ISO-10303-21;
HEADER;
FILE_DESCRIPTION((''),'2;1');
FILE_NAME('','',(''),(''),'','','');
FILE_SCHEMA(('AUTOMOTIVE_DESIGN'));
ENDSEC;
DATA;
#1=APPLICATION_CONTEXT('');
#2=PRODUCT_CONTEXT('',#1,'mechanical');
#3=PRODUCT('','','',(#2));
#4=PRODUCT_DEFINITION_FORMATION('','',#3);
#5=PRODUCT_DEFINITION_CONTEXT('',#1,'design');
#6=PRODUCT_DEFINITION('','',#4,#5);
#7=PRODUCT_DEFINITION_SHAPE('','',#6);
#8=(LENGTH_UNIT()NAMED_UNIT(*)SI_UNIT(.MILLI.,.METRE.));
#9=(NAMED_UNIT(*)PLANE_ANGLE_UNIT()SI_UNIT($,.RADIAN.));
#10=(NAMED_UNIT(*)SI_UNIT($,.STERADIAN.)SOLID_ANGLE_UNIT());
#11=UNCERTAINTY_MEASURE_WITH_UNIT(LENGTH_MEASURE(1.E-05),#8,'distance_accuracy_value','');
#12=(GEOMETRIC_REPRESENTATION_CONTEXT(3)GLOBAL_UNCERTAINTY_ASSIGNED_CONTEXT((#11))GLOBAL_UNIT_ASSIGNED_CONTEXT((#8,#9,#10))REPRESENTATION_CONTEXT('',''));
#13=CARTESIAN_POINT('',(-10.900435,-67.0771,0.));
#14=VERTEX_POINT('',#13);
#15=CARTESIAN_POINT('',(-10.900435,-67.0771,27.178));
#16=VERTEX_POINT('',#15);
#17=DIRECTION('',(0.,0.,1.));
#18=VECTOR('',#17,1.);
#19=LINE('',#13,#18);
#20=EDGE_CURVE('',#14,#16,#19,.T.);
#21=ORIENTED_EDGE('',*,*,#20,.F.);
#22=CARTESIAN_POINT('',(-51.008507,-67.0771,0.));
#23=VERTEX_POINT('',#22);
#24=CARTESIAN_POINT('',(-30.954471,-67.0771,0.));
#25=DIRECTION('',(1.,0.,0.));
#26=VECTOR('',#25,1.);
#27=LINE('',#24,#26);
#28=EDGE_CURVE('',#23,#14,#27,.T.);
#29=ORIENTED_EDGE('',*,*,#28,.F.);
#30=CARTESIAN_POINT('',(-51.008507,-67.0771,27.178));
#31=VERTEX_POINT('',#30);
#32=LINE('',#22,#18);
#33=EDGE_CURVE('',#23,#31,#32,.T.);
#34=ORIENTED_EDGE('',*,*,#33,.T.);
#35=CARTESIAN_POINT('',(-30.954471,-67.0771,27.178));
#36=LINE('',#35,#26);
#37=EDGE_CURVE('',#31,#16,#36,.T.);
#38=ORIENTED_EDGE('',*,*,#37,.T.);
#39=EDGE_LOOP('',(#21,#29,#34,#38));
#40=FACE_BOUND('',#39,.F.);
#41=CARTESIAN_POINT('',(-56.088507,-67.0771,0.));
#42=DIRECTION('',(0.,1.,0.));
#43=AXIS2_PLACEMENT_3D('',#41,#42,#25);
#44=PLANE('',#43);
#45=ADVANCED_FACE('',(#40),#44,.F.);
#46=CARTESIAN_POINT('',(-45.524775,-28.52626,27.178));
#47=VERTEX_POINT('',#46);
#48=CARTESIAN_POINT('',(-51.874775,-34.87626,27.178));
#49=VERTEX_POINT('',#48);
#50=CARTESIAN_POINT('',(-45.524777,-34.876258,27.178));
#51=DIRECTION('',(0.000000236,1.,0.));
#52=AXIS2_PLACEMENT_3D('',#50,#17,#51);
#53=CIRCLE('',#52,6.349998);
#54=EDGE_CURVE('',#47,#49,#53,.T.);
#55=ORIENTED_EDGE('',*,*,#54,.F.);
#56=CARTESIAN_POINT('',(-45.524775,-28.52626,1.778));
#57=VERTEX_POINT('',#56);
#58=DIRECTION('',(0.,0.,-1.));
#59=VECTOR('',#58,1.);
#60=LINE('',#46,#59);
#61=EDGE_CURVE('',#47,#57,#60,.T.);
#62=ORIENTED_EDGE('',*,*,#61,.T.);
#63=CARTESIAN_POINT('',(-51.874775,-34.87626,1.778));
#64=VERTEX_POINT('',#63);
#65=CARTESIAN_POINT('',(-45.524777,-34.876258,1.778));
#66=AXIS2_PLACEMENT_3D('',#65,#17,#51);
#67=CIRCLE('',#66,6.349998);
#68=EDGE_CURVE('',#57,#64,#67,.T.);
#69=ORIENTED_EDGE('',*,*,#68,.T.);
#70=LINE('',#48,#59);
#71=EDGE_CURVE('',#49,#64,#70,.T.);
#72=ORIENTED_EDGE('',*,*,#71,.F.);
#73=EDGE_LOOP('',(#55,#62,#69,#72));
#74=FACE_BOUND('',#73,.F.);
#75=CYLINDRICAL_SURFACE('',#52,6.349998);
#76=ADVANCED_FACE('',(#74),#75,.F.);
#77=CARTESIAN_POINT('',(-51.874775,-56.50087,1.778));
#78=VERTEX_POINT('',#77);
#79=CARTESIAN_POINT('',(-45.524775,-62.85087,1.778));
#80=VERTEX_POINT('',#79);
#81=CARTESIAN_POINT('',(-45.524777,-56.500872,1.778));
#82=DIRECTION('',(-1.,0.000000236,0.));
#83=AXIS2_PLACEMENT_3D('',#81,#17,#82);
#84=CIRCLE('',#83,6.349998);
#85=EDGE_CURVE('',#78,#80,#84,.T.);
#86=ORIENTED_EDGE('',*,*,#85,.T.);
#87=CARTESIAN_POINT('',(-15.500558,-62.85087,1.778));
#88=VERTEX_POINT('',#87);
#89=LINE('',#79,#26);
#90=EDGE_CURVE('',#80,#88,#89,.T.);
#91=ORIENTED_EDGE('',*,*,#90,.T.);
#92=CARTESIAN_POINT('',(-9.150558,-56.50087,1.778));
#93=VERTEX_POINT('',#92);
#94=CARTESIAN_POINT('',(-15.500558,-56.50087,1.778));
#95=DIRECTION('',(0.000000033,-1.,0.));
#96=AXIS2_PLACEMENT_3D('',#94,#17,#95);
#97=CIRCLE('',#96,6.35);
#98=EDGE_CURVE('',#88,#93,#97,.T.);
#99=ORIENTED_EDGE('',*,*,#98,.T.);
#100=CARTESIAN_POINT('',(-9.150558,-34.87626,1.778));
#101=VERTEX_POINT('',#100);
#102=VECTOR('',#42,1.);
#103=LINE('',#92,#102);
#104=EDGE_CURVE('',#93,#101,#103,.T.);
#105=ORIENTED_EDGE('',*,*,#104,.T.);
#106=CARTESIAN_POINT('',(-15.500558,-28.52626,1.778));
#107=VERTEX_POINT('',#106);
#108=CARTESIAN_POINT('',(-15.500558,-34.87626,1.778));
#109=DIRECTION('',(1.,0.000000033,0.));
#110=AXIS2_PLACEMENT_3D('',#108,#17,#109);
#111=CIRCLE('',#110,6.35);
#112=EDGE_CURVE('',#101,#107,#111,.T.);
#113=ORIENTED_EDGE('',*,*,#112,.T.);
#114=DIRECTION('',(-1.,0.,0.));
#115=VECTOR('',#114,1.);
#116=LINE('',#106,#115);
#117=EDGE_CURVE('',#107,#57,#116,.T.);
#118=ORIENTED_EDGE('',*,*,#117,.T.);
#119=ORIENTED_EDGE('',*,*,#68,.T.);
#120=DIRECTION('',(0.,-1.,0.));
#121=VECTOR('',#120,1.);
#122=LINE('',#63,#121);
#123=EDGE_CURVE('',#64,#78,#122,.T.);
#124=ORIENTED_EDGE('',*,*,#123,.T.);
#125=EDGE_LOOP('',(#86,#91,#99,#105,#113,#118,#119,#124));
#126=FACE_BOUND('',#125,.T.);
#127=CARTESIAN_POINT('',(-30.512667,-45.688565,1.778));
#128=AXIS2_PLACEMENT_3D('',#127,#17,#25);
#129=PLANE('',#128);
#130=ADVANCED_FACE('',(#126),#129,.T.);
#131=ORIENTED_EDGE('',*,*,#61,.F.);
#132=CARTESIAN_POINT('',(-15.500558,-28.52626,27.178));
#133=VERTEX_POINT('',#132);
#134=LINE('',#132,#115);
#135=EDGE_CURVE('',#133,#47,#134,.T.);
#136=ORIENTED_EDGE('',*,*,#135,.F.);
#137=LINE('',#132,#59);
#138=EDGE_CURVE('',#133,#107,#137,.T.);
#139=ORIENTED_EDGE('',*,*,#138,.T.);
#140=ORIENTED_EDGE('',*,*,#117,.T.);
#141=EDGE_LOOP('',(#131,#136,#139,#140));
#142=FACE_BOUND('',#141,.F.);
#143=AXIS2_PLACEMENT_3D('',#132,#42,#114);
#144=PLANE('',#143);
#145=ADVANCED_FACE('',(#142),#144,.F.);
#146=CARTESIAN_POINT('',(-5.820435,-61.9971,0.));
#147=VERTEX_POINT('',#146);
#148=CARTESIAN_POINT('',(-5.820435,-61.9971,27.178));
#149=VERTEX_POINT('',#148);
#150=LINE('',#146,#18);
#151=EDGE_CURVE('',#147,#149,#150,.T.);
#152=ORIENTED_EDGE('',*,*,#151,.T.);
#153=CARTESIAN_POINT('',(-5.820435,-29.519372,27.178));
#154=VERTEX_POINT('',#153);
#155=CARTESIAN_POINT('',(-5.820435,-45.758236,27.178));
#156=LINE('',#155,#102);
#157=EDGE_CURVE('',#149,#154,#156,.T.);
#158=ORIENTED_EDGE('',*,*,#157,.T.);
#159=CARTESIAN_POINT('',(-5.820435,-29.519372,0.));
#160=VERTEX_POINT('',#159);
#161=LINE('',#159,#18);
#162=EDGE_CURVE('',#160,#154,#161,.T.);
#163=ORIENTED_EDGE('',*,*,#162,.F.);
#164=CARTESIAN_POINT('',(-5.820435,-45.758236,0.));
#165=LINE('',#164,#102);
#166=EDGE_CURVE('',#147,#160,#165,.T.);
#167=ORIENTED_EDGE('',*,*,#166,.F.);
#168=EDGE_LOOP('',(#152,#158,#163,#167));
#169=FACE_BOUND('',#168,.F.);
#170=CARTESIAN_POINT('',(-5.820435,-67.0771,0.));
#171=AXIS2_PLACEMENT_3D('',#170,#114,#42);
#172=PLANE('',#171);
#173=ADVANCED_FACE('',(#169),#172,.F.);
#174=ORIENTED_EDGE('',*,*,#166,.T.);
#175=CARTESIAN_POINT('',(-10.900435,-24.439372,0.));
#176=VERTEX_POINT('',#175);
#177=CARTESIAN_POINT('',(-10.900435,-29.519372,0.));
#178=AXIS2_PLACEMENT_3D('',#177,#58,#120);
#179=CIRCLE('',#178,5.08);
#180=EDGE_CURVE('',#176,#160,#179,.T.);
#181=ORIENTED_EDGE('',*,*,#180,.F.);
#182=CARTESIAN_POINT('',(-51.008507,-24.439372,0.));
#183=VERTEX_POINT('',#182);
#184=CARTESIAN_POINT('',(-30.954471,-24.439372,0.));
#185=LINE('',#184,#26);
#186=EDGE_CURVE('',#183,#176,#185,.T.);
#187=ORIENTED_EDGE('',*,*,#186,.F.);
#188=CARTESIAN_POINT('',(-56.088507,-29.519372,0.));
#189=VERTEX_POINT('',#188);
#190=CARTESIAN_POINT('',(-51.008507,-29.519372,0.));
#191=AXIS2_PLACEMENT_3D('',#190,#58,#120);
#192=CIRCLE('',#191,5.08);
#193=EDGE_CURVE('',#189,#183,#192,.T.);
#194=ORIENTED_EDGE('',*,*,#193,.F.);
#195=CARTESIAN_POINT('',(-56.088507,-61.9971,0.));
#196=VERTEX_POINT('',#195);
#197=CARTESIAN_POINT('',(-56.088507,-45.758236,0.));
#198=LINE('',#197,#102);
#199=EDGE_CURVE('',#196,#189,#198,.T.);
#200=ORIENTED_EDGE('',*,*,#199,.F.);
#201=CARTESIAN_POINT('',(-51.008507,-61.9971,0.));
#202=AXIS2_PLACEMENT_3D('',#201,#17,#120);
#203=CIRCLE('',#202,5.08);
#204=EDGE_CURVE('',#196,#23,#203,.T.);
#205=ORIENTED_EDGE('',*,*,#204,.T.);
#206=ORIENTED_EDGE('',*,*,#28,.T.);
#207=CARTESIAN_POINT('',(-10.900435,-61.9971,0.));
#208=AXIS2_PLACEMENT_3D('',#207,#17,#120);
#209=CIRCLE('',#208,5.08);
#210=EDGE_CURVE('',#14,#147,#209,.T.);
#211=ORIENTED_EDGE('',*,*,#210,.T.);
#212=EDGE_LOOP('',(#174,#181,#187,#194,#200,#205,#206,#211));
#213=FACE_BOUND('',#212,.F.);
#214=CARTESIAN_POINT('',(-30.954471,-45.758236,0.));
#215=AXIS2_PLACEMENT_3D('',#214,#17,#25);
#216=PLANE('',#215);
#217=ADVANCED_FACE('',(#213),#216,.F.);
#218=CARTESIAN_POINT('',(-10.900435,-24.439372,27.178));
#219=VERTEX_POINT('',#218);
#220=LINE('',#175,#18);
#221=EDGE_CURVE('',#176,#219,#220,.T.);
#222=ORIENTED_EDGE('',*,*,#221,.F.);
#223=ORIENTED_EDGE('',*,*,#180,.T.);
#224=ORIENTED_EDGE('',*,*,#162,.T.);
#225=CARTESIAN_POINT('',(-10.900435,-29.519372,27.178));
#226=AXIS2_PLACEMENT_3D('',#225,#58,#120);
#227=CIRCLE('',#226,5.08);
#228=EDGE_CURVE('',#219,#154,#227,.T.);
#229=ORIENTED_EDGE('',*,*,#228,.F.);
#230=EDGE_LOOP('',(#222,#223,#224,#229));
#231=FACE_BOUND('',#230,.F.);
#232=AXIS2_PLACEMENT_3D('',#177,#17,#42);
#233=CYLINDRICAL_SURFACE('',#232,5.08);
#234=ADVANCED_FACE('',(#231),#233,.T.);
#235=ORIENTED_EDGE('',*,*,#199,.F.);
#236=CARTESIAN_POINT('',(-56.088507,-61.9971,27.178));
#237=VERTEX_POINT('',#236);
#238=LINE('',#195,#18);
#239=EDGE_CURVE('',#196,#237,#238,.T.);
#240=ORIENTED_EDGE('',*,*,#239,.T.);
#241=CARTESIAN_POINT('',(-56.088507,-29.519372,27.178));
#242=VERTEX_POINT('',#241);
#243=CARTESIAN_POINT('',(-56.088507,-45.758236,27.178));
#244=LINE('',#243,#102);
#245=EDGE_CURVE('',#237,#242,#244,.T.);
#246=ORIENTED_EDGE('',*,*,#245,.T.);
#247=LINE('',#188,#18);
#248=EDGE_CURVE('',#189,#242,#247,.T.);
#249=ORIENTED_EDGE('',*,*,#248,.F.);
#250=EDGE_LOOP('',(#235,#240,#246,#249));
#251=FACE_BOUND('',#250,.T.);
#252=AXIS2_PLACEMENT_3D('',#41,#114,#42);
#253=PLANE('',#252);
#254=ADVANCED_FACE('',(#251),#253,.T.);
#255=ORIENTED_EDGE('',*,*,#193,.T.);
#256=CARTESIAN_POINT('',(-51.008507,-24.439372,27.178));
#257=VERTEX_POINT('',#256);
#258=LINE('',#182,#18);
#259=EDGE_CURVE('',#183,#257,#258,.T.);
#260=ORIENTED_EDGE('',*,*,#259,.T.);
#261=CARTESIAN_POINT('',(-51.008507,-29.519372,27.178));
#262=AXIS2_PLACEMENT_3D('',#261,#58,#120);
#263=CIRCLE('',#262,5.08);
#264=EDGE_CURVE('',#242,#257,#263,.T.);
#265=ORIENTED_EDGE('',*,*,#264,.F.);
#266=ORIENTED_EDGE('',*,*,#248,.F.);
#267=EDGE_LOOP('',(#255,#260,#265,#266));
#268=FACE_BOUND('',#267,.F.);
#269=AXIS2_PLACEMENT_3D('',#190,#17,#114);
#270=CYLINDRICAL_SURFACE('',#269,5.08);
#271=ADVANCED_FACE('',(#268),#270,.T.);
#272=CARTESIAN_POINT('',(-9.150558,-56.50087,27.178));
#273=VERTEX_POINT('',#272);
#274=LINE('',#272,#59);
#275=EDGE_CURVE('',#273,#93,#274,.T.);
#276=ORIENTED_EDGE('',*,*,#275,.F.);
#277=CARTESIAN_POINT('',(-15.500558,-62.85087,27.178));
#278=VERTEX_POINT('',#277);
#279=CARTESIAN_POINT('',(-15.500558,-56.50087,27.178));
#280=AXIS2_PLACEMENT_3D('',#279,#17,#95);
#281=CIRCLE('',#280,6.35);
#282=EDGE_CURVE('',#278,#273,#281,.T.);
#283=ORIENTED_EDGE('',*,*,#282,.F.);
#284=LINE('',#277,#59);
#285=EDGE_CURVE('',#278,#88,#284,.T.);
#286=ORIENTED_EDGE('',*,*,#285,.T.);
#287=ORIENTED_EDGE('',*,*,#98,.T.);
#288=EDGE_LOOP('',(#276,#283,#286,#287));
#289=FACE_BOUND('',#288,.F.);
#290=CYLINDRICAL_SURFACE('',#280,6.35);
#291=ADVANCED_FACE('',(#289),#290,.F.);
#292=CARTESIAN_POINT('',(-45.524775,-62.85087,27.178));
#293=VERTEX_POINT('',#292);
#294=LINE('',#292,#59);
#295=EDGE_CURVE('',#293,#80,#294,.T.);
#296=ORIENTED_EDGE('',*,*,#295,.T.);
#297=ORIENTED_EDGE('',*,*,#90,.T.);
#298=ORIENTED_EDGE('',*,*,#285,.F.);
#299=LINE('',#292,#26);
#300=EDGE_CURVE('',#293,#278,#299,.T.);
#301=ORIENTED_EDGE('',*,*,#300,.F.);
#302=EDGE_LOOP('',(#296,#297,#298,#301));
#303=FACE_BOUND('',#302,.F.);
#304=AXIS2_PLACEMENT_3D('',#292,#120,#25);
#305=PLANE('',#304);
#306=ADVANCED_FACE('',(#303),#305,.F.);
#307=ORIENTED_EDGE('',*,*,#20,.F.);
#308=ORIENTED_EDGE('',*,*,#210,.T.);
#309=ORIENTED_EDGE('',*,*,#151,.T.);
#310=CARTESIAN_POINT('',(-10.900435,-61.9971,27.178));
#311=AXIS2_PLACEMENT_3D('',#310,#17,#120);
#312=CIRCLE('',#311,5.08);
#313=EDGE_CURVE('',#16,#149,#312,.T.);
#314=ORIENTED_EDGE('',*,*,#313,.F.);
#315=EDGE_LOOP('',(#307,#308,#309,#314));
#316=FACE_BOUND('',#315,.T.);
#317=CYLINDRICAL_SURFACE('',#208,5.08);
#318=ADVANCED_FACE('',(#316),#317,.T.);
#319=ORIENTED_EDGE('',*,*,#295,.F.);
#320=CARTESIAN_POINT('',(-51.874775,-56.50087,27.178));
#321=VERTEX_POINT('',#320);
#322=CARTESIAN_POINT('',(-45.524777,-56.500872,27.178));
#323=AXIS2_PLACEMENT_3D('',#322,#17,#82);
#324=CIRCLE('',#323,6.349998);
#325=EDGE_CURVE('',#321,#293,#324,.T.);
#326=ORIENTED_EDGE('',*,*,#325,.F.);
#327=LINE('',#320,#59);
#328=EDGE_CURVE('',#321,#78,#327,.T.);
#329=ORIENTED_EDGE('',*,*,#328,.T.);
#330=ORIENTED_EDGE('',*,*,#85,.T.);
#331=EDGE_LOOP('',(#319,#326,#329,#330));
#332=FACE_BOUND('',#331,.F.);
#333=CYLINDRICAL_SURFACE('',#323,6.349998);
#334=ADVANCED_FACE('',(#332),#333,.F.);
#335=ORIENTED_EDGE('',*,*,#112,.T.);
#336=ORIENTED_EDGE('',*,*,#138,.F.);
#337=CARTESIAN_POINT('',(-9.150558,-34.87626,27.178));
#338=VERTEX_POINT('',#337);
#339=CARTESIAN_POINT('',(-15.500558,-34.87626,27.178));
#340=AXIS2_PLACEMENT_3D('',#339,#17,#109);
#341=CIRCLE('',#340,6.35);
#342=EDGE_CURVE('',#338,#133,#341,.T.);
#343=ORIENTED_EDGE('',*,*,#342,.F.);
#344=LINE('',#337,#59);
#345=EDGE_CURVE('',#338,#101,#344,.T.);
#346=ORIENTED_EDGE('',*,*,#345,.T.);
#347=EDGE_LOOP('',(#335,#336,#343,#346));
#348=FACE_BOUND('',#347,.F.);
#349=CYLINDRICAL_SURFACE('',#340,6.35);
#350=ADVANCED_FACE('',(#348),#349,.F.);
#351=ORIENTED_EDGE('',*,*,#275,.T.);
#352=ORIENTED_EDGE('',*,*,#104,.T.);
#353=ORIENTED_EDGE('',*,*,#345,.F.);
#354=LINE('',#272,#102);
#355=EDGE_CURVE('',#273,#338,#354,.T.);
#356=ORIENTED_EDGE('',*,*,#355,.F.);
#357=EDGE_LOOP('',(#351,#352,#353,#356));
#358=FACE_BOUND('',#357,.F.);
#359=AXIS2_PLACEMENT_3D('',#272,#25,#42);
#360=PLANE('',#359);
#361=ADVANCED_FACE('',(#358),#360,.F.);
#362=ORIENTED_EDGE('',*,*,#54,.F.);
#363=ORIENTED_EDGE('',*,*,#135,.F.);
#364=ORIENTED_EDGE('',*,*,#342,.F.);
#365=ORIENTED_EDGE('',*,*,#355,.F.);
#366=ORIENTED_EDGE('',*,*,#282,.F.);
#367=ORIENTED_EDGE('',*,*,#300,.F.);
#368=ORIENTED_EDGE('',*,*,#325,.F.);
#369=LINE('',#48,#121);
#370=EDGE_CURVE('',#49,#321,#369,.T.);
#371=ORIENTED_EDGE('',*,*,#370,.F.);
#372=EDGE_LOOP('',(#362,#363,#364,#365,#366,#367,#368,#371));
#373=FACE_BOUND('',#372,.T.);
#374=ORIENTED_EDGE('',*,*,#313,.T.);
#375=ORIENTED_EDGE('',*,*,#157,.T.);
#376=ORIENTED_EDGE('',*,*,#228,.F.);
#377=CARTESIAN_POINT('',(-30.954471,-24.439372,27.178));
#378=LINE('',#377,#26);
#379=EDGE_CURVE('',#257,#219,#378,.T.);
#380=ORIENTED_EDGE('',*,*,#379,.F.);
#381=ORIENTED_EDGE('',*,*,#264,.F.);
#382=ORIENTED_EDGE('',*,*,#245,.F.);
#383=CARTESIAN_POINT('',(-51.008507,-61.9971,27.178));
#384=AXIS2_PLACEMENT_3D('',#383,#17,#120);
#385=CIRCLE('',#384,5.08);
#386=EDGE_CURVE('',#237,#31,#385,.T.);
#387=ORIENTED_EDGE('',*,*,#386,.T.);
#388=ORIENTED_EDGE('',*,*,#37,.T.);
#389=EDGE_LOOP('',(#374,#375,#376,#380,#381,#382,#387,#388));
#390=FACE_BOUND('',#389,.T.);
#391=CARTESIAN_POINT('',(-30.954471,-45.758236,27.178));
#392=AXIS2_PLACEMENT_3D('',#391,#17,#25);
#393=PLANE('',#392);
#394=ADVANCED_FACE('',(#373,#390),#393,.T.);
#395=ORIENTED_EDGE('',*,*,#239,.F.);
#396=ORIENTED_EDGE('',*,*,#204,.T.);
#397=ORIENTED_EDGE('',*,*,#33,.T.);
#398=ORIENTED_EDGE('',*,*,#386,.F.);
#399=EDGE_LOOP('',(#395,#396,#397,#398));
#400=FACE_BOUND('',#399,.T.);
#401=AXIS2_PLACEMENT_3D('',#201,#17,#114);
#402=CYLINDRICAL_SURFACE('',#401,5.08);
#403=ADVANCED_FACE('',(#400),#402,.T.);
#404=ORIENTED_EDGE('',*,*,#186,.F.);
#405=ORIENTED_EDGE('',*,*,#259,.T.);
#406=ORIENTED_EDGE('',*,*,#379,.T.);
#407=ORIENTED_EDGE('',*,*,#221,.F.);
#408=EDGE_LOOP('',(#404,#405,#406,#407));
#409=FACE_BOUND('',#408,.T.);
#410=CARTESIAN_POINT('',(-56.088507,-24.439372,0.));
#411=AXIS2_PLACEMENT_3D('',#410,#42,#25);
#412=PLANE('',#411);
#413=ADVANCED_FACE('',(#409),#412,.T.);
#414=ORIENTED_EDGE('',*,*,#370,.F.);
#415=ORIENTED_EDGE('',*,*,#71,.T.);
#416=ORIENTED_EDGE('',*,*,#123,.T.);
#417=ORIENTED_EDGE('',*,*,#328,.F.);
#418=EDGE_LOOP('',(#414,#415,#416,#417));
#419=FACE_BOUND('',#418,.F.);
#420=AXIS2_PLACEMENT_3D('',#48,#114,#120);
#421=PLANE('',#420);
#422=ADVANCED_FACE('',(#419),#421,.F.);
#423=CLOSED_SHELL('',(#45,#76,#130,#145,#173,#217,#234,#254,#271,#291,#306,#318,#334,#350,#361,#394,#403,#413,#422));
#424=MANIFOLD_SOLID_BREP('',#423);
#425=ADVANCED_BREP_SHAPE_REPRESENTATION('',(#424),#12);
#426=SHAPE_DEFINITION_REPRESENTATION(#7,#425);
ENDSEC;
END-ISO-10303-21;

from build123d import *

# Parameters (mm, degrees)
F0_W     = 50.268072
F0_H     = 42.637728
F1_DEPTH = 27.178
F3_DEPTH = 25.4
F4_R     = 5.08
F5_R     = 5.08
F6_R     = 5.08
F7_R     = 5.08


with BuildPart() as f1:
    # F0 (on Top) → F1 (new body)
    with BuildSketch(Plane.XY):
        with Locations((-30.954471, -45.758236)):
            Rectangle(F0_W, F0_H)
    extrude(amount=F1_DEPTH)

    # F2 (on face) → F3 (cut)
    with BuildSketch(Plane.XY.offset(27.178)):
        with BuildLine():
            Line((-15.500558, -28.52626), (-45.524775, -28.52626))
            ThreePointArc((-45.524775, -28.52626), (-50.014904, -30.386132), (-51.874775, -34.87626))
            Line((-51.874775, -34.87626), (-51.874775, -56.50087))
            ThreePointArc((-51.874775, -56.50087), (-50.014904, -60.990998), (-45.524775, -62.85087))
            Line((-45.524775, -62.85087), (-15.500558, -62.85087))
            ThreePointArc((-15.500558, -62.85087), (-11.01043, -60.990998), (-9.150558, -56.50087))
            Line((-9.150558, -56.50087), (-9.150558, -34.87626))
            ThreePointArc((-9.150558, -34.87626), (-11.01043, -30.386132), (-15.500558, -28.52626))
        make_face()
    extrude(amount=-F3_DEPTH, mode=Mode.SUBTRACT)

    # F4
    f4_edges = [f1.edges().sort_by_distance(p)[0] for p in [
        (-56.088507, -67.0771, 13.589),
    ]]
    fillet(f4_edges, radius=F4_R)

    # F5
    f5_edges = [f1.edges().sort_by_distance(p)[0] for p in [
        (-5.820435, -67.0771, 13.589),
    ]]
    fillet(f5_edges, radius=F5_R)

    # F6
    f6_edges = [f1.edges().sort_by_distance(p)[0] for p in [
        (-56.088507, -24.439372, 13.589),
    ]]
    fillet(f6_edges, radius=F6_R)

    # F7
    f7_edges = [f1.edges().sort_by_distance(p)[0] for p in [
        (-5.820435, -24.439372, 13.589),
    ]]
    fillet(f7_edges, radius=F7_R)


solid = f1.part
